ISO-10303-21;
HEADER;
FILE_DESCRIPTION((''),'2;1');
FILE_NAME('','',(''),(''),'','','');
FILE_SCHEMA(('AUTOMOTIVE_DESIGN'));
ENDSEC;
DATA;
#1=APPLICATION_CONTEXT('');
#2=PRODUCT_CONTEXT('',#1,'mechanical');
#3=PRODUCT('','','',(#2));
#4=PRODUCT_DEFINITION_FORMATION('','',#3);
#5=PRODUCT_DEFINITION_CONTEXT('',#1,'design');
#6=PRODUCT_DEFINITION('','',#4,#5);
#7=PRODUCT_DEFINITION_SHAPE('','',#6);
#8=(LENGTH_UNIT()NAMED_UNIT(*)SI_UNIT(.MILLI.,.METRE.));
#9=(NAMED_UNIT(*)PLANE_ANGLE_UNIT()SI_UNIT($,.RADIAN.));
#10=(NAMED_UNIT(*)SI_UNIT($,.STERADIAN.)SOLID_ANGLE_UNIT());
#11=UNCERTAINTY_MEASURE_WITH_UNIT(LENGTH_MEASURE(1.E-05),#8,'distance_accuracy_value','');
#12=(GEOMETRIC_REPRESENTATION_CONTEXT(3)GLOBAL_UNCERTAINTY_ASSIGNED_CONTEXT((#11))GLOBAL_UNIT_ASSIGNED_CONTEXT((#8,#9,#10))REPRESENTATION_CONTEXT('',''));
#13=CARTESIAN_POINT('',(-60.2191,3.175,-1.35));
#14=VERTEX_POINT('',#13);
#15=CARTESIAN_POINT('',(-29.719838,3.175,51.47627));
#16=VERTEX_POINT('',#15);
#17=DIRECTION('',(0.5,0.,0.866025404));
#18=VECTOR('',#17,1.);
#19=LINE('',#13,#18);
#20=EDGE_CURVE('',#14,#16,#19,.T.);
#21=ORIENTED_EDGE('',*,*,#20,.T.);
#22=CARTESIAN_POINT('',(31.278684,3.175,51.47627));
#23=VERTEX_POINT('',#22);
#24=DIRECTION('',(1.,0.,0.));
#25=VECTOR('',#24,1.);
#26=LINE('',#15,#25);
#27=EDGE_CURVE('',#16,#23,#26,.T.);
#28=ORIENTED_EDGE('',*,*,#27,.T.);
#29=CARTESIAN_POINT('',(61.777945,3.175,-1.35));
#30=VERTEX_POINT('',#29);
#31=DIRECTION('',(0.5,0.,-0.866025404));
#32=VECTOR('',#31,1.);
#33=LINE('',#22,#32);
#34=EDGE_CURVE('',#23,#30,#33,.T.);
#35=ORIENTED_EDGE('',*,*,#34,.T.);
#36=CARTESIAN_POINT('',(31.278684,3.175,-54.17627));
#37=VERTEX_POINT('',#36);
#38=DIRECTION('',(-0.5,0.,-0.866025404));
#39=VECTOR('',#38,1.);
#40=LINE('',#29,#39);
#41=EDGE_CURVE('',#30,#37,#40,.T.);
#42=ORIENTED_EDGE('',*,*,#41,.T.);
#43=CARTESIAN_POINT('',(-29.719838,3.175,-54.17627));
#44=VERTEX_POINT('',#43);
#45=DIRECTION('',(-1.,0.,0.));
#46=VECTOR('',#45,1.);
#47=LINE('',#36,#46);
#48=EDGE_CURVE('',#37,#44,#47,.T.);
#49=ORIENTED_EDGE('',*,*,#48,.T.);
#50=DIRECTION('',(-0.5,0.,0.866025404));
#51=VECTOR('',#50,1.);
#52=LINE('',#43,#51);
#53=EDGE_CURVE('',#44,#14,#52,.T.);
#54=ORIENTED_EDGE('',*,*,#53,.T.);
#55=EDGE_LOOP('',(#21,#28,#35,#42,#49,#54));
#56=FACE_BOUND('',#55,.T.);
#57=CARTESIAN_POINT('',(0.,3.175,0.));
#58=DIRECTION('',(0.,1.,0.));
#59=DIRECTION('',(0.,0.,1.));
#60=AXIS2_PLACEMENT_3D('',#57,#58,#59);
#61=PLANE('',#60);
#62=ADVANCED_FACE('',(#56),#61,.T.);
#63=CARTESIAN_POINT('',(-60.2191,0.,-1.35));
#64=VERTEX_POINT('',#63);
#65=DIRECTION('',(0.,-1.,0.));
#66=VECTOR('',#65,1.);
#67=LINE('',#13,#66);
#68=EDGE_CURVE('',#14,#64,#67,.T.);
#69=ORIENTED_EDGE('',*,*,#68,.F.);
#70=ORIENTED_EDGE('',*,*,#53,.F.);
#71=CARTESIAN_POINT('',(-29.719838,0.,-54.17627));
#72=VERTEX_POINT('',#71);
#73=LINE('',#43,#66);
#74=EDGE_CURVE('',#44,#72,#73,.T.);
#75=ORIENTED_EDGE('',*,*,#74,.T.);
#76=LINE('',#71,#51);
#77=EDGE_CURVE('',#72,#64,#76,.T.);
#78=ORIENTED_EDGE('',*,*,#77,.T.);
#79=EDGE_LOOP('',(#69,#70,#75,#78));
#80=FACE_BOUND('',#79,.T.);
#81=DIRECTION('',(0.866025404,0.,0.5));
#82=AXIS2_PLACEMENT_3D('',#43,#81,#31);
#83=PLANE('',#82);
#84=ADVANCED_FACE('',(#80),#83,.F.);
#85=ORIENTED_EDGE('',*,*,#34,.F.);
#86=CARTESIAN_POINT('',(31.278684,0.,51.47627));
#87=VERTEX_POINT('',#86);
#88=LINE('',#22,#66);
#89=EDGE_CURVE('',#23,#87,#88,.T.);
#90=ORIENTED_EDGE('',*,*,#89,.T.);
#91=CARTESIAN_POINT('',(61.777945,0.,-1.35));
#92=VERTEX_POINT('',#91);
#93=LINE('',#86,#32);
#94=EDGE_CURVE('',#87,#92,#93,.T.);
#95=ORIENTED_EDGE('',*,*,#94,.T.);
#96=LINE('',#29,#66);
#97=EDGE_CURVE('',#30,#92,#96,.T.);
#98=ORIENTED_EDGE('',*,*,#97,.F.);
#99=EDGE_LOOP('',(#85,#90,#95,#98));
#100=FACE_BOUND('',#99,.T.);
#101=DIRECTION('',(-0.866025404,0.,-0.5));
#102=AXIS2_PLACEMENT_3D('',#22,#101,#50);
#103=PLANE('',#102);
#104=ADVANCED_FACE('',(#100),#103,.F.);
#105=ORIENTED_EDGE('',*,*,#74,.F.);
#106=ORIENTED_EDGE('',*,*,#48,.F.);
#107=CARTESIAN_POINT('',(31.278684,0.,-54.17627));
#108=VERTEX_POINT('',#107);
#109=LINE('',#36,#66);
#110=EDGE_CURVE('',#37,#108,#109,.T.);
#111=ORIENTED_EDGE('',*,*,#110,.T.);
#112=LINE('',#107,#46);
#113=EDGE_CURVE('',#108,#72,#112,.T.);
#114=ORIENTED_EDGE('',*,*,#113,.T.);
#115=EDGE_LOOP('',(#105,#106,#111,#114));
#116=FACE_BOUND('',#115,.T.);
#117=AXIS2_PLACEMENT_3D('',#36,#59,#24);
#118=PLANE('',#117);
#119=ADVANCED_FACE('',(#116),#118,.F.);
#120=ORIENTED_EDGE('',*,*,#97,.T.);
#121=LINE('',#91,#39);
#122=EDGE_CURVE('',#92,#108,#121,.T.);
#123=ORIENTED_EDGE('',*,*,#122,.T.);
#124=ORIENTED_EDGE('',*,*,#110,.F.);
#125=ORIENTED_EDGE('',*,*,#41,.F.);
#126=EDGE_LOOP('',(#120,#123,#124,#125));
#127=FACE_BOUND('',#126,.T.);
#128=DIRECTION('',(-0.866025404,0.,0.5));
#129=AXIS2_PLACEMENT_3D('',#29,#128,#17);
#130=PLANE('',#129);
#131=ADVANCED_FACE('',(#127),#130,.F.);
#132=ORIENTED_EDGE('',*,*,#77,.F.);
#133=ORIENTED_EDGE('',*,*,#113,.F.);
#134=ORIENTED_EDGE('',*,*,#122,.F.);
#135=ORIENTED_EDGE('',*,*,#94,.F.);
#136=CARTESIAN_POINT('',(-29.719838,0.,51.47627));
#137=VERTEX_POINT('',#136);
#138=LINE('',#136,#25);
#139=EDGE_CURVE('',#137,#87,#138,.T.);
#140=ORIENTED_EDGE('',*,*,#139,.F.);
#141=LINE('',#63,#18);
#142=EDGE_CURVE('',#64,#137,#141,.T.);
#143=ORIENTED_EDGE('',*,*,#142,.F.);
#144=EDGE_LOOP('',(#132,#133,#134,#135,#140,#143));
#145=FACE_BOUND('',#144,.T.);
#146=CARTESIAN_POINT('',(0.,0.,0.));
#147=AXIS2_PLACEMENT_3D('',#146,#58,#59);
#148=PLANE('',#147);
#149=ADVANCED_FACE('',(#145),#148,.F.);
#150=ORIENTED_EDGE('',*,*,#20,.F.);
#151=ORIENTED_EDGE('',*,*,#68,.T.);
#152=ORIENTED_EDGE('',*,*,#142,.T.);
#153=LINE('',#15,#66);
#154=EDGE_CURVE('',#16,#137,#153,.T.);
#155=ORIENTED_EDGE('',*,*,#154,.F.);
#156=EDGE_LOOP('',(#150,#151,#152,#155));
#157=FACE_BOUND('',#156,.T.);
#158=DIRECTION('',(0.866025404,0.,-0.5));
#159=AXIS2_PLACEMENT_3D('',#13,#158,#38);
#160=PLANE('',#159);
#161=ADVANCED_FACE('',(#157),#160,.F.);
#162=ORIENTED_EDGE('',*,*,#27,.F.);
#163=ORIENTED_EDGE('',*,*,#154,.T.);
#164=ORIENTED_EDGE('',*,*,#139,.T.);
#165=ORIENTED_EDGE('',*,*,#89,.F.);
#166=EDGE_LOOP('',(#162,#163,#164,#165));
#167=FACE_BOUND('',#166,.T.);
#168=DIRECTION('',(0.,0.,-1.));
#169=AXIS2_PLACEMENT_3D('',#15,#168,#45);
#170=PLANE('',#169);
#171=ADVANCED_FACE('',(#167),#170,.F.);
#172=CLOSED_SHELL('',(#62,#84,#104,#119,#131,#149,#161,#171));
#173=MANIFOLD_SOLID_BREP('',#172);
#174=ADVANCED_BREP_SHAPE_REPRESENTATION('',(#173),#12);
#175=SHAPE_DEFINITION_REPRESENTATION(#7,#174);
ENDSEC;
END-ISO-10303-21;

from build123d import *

# Parameters (mm, degrees)
BOSS_EXTRUDE1_DEPTH = 3.175


with BuildPart() as part:
    # Sketch1 → Boss-Extrude1 (new body)
    with BuildSketch(Plane(origin=(0, 0, 0), x_dir=(1, 0, 0), z_dir=(0, 1, 0))):
        Polygon((61.777945491, 1.35), (31.278684177, 54.176270189), (-29.719838451, 54.176270189), (-60.219099765, 1.35), (-29.719838451, -51.476270189), (31.278684177, -51.476270189), align=None)
    extrude(amount=BOSS_EXTRUDE1_DEPTH)


solid = part.part
